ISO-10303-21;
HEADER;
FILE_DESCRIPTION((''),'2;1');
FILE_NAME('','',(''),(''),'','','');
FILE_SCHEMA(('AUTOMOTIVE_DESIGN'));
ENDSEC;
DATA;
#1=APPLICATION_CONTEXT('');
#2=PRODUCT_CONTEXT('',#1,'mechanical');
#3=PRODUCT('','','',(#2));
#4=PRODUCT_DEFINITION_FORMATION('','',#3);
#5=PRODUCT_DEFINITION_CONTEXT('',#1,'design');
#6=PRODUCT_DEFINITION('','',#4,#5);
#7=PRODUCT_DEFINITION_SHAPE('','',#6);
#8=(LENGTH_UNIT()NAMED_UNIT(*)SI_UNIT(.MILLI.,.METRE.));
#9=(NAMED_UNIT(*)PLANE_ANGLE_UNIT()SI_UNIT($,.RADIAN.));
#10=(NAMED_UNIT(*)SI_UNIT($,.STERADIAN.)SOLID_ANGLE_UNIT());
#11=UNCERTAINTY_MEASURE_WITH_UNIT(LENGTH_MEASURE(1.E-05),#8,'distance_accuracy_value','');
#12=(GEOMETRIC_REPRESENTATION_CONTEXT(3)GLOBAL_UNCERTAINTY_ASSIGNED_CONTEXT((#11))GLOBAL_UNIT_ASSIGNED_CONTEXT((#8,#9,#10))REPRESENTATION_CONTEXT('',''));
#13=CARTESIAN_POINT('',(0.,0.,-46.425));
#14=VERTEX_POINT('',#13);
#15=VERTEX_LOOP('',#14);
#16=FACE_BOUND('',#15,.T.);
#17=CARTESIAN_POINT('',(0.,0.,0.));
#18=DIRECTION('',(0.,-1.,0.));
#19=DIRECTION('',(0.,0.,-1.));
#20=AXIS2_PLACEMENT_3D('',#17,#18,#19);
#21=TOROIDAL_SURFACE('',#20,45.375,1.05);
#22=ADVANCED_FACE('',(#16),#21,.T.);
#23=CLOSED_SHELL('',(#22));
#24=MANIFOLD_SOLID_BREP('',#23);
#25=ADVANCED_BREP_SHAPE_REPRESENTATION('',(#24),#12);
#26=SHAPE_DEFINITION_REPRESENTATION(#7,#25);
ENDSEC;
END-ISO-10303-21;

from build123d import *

# Parameters (mm, degrees)
SKETCH1_R = 1.05


with BuildPart() as part:
    # Sketch1 → Revolve1 (revolve)
    with BuildSketch(Plane(origin=(0, 0, 0), x_dir=(0, 0, -1), z_dir=(1, 0, 0))):
        with Locations((45.375, 0)):
            Circle(SKETCH1_R)
    revolve(axis=Axis((0, 0, 0), (0, 1, 0)))


solid = part.part
